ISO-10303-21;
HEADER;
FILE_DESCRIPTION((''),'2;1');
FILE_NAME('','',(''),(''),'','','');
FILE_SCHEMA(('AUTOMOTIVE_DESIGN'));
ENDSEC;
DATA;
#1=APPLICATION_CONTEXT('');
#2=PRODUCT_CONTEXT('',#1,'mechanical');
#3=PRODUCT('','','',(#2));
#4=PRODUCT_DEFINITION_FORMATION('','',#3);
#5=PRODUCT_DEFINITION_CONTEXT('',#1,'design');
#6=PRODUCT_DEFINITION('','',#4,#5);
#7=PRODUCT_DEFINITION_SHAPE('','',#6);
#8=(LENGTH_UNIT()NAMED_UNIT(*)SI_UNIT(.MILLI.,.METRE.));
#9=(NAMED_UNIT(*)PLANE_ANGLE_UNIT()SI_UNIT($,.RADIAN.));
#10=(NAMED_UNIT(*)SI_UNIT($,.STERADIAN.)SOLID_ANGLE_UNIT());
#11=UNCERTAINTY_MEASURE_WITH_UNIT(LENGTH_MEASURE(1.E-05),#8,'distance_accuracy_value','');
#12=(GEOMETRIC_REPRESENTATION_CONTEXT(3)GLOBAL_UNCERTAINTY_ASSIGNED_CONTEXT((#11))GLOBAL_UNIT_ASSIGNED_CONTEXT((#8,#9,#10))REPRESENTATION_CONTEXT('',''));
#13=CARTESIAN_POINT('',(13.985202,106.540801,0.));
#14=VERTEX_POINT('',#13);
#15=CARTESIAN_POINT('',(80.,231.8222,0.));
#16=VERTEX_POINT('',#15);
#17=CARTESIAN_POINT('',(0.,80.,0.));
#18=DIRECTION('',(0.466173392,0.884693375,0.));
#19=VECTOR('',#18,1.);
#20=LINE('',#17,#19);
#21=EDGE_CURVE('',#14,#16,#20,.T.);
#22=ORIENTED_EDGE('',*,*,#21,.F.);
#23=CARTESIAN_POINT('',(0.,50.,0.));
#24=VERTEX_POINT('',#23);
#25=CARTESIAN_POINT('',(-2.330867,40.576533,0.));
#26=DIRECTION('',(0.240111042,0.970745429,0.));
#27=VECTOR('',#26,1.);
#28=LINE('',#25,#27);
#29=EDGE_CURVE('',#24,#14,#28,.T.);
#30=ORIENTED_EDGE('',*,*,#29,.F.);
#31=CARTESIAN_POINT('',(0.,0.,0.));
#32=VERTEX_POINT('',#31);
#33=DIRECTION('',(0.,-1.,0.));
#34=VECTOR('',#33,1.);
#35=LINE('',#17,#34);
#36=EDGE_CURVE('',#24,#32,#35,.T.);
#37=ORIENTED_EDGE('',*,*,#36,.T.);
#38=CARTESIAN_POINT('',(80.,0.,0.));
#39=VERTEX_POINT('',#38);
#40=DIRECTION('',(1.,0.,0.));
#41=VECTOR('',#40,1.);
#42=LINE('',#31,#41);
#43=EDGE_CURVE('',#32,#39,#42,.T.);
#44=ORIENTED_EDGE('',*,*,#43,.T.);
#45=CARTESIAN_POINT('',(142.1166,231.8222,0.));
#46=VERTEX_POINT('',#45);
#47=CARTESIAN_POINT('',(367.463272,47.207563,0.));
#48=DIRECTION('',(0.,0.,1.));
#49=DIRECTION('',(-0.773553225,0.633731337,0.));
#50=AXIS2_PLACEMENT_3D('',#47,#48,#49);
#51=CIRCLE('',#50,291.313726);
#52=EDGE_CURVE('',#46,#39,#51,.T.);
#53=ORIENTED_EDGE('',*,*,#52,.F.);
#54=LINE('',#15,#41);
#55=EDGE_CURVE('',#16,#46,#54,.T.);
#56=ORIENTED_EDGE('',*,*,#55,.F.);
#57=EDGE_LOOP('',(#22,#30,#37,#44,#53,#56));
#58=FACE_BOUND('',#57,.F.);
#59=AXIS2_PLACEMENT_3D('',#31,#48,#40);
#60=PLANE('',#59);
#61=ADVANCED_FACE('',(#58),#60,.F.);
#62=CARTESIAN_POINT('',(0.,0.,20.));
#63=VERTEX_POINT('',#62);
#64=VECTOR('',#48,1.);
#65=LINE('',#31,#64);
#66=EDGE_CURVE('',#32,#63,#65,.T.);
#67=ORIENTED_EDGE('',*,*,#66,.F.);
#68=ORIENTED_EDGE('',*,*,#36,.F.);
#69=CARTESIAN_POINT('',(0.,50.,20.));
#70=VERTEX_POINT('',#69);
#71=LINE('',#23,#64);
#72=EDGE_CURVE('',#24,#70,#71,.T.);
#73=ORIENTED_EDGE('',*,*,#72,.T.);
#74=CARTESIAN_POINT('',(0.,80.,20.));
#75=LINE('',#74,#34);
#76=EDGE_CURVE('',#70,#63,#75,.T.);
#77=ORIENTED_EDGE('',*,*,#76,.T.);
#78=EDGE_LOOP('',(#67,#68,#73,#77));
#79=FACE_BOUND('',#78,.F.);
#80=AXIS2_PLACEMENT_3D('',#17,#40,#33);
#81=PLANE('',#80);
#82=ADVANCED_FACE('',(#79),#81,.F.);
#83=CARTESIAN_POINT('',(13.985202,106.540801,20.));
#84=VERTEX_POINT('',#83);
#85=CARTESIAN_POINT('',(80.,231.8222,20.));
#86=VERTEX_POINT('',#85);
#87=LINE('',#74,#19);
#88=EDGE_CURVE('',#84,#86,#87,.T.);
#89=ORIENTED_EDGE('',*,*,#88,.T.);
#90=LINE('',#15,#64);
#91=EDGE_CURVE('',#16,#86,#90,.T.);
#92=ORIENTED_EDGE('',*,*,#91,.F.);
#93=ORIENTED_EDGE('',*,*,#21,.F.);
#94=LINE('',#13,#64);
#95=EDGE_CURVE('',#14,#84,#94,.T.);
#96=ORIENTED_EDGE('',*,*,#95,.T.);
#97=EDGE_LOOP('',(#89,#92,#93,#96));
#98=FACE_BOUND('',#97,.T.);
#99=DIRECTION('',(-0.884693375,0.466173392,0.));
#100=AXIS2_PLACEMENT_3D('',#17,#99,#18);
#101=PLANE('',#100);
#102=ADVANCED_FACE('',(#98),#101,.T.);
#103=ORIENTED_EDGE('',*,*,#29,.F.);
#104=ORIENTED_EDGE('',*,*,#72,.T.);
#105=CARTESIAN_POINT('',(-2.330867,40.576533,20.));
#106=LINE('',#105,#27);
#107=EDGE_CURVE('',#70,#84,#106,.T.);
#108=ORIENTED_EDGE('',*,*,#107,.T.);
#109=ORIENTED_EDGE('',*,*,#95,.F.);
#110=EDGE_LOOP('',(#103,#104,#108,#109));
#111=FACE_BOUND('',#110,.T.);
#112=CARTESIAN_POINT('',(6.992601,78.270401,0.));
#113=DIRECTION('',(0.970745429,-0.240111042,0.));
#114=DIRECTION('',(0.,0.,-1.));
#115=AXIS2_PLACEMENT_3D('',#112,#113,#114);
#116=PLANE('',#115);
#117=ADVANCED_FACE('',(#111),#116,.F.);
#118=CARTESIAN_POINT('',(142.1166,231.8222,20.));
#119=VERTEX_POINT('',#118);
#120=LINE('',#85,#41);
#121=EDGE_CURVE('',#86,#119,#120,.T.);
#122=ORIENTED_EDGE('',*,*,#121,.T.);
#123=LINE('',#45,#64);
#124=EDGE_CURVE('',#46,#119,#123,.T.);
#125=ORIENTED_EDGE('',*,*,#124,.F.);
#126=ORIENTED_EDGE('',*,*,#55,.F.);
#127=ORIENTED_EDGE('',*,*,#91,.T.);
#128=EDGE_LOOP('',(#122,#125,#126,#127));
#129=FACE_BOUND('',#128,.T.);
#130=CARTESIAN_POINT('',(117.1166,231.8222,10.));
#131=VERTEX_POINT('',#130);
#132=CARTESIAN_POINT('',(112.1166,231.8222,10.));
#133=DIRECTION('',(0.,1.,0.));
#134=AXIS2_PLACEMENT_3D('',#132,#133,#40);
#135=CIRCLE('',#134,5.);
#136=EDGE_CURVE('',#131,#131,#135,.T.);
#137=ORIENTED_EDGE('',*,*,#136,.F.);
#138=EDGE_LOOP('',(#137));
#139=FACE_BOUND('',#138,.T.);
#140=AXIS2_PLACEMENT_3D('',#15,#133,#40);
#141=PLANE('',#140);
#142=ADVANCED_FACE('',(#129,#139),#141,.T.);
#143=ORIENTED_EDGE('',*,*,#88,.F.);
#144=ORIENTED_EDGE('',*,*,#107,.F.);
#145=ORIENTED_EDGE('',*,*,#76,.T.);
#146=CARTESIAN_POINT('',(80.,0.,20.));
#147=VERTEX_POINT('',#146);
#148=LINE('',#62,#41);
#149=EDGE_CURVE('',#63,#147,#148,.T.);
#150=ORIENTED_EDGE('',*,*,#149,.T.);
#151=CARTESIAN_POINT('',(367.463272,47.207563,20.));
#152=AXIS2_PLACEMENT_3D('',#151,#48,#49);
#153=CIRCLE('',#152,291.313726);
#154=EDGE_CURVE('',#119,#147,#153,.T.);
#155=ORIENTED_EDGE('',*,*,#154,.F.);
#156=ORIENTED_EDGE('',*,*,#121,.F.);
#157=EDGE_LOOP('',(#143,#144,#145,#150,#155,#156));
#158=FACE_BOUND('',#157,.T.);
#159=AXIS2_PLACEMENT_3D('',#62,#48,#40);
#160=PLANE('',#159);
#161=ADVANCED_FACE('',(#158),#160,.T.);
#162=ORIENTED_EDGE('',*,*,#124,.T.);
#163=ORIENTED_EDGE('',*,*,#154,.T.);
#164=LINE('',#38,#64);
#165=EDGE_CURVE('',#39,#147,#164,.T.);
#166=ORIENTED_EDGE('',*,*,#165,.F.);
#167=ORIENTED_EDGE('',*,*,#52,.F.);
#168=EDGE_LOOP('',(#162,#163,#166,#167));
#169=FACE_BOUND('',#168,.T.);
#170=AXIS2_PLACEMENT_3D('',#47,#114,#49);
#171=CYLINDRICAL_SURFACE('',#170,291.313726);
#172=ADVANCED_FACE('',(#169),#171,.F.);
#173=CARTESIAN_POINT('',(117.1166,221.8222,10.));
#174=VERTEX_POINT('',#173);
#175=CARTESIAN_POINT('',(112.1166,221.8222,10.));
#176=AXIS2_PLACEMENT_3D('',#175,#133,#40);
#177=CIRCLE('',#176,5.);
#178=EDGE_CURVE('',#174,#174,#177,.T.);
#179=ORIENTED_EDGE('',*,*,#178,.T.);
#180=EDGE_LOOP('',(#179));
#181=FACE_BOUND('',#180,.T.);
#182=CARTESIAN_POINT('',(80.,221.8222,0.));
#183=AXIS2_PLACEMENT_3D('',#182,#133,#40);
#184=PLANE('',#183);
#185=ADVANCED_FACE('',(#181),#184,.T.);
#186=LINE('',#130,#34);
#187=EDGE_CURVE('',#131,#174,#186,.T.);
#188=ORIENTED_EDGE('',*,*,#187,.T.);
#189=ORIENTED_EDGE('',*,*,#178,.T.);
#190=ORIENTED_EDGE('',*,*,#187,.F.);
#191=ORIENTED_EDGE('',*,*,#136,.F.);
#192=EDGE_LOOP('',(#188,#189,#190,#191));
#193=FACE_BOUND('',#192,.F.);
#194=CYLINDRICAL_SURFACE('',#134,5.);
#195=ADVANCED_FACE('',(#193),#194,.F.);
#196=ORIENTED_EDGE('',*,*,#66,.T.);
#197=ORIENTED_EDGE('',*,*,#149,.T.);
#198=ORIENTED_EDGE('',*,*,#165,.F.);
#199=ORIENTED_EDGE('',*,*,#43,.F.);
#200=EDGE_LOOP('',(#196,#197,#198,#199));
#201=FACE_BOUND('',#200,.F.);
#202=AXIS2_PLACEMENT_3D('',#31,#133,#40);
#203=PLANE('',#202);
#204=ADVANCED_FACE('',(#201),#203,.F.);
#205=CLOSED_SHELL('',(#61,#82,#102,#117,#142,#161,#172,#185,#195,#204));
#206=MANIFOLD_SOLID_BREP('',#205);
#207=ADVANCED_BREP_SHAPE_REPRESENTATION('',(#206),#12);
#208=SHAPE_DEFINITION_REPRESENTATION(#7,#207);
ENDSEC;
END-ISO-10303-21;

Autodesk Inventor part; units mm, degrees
ref_plane "YZ Plane" through (0, 0, 0) normal (1, 0, 0) x (0, 1, 0)
ref_plane "XZ Plane" through (0, 0, 0) normal (0, 1, 0) x (-1, 0, 0)
ref_plane "XY Plane" through (0, 0, 0) normal (0, 0, 1) x (1, 0, 0)
sketch "Sketch1" plane through (0, 0, 0) normal (0, 0, 1) x (1, 0, 0)
  line L0 (0, 0) -> (80, 0)
  line L1 (0, 80) -> (0, 0)
  line L2 (40, 0) -> (160, 0) construction
  line L3 (0, 80) -> (80, 231.8222)
  line L4 (80, 231.8222) -> (142.1166, 231.8222)
  arc A0 (142.1166, 231.8222) -> (80, 0) centre (367.4632, 47.2076) ccw
  dimension "d2" = 240
  dimension "d4" = 80
extrude "Extrusion1" add sketch "Sketch1" along normal blind 20
chamfer "Chamfer1" distance 30 angle 45 1 edges at (0, 80, 10)
sketch "Sketch2" plane through (80, 231.8222, 0) normal (0, 1, 0) x (1, 0, 0)
  line L0 (62.1166, 0) -> (62.1166, -20) projected
  line L1 (62.1166, -10) -> (32.1166, -10)
  circle A0 centre (32.1166, -10) radius 5
  point P0 (-80, 0)
  dimension "d10" = 30
  dimension "d11" = 10
extrude "Extrusion2" cut sketch "Sketch2" against normal blind 10
properties part number "Base_Aerofoil"
